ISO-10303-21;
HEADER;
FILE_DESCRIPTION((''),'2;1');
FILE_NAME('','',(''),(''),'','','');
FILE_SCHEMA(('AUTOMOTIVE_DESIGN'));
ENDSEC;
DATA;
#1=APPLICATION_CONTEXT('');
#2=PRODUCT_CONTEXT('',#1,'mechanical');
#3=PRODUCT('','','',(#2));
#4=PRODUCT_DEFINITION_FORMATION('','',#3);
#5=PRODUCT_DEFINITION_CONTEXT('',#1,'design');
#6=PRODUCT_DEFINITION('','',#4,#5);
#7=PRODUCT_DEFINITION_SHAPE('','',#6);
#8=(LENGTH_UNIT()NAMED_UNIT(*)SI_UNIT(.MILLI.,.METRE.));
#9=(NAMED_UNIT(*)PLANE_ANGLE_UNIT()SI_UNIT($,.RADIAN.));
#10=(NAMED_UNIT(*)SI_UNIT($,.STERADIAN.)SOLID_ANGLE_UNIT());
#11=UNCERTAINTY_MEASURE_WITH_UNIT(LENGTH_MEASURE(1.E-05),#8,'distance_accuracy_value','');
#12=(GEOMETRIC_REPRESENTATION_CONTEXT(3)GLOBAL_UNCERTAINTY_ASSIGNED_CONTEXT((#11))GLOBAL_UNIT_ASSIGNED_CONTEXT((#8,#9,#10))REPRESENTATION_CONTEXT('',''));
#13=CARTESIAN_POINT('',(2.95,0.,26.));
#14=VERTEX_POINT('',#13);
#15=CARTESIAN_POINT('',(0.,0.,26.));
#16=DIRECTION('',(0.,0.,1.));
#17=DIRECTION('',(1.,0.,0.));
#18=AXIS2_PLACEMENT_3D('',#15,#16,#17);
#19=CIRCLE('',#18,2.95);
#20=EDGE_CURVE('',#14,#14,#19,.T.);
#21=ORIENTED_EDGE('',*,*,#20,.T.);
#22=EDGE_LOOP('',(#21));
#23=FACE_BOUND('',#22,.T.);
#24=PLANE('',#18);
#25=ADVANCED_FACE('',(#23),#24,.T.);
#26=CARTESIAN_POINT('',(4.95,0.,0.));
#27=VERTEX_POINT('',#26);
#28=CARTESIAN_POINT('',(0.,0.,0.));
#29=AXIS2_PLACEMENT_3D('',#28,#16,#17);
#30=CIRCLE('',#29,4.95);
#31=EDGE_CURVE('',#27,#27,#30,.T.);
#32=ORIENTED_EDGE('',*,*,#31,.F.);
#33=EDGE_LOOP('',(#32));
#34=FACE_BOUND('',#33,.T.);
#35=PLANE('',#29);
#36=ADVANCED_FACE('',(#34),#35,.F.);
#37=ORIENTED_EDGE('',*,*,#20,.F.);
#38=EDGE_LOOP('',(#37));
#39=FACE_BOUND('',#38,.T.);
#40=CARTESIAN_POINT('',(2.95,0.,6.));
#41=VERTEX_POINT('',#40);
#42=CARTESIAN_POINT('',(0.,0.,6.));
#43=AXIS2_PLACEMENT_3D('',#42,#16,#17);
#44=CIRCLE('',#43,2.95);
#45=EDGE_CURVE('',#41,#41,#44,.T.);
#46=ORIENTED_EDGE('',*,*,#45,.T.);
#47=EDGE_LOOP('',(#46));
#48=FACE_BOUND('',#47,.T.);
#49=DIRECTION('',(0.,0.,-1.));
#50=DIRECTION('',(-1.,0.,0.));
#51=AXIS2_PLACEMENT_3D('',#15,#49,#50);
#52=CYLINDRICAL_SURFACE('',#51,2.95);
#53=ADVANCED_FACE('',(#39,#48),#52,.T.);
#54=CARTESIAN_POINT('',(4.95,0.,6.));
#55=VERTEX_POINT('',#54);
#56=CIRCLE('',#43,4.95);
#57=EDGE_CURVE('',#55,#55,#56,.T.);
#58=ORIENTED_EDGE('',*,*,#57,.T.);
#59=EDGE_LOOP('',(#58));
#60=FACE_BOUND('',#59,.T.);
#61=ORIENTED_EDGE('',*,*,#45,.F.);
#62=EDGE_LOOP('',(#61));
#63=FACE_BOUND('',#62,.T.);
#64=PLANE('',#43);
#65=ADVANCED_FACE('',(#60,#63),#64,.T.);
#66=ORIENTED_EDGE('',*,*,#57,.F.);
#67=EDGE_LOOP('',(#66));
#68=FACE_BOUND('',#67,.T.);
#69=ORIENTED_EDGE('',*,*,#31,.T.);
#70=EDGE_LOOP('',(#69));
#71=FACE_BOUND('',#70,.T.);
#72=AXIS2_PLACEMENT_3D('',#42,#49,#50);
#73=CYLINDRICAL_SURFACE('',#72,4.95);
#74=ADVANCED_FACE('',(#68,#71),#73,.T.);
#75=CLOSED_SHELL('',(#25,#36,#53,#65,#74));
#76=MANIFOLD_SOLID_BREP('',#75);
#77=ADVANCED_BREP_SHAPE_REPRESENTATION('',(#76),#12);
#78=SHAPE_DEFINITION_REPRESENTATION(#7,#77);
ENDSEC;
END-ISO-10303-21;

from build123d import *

# Parameters (mm, degrees)
SKIZZE1_R                       = 4.95
AUFSATZ_LINEAR_AUSTRAGEN1_DEPTH = 6
SKIZZE2_R                       = 2.95
AUFSATZ_LINEAR_AUSTRAGEN2_DEPTH = 20


with BuildPart() as part:
    # Skizze1 → Aufsatz-Linear austragen1 (new body)
    with BuildSketch(Plane.XY):
        Circle(SKIZZE1_R)
    extrude(amount=AUFSATZ_LINEAR_AUSTRAGEN1_DEPTH)

    # Skizze2 → Aufsatz-Linear austragen2 (add)
    with BuildSketch(Plane.XY.offset(6)):
        Circle(SKIZZE2_R)
    extrude(amount=AUFSATZ_LINEAR_AUSTRAGEN2_DEPTH)


solid = part.part
